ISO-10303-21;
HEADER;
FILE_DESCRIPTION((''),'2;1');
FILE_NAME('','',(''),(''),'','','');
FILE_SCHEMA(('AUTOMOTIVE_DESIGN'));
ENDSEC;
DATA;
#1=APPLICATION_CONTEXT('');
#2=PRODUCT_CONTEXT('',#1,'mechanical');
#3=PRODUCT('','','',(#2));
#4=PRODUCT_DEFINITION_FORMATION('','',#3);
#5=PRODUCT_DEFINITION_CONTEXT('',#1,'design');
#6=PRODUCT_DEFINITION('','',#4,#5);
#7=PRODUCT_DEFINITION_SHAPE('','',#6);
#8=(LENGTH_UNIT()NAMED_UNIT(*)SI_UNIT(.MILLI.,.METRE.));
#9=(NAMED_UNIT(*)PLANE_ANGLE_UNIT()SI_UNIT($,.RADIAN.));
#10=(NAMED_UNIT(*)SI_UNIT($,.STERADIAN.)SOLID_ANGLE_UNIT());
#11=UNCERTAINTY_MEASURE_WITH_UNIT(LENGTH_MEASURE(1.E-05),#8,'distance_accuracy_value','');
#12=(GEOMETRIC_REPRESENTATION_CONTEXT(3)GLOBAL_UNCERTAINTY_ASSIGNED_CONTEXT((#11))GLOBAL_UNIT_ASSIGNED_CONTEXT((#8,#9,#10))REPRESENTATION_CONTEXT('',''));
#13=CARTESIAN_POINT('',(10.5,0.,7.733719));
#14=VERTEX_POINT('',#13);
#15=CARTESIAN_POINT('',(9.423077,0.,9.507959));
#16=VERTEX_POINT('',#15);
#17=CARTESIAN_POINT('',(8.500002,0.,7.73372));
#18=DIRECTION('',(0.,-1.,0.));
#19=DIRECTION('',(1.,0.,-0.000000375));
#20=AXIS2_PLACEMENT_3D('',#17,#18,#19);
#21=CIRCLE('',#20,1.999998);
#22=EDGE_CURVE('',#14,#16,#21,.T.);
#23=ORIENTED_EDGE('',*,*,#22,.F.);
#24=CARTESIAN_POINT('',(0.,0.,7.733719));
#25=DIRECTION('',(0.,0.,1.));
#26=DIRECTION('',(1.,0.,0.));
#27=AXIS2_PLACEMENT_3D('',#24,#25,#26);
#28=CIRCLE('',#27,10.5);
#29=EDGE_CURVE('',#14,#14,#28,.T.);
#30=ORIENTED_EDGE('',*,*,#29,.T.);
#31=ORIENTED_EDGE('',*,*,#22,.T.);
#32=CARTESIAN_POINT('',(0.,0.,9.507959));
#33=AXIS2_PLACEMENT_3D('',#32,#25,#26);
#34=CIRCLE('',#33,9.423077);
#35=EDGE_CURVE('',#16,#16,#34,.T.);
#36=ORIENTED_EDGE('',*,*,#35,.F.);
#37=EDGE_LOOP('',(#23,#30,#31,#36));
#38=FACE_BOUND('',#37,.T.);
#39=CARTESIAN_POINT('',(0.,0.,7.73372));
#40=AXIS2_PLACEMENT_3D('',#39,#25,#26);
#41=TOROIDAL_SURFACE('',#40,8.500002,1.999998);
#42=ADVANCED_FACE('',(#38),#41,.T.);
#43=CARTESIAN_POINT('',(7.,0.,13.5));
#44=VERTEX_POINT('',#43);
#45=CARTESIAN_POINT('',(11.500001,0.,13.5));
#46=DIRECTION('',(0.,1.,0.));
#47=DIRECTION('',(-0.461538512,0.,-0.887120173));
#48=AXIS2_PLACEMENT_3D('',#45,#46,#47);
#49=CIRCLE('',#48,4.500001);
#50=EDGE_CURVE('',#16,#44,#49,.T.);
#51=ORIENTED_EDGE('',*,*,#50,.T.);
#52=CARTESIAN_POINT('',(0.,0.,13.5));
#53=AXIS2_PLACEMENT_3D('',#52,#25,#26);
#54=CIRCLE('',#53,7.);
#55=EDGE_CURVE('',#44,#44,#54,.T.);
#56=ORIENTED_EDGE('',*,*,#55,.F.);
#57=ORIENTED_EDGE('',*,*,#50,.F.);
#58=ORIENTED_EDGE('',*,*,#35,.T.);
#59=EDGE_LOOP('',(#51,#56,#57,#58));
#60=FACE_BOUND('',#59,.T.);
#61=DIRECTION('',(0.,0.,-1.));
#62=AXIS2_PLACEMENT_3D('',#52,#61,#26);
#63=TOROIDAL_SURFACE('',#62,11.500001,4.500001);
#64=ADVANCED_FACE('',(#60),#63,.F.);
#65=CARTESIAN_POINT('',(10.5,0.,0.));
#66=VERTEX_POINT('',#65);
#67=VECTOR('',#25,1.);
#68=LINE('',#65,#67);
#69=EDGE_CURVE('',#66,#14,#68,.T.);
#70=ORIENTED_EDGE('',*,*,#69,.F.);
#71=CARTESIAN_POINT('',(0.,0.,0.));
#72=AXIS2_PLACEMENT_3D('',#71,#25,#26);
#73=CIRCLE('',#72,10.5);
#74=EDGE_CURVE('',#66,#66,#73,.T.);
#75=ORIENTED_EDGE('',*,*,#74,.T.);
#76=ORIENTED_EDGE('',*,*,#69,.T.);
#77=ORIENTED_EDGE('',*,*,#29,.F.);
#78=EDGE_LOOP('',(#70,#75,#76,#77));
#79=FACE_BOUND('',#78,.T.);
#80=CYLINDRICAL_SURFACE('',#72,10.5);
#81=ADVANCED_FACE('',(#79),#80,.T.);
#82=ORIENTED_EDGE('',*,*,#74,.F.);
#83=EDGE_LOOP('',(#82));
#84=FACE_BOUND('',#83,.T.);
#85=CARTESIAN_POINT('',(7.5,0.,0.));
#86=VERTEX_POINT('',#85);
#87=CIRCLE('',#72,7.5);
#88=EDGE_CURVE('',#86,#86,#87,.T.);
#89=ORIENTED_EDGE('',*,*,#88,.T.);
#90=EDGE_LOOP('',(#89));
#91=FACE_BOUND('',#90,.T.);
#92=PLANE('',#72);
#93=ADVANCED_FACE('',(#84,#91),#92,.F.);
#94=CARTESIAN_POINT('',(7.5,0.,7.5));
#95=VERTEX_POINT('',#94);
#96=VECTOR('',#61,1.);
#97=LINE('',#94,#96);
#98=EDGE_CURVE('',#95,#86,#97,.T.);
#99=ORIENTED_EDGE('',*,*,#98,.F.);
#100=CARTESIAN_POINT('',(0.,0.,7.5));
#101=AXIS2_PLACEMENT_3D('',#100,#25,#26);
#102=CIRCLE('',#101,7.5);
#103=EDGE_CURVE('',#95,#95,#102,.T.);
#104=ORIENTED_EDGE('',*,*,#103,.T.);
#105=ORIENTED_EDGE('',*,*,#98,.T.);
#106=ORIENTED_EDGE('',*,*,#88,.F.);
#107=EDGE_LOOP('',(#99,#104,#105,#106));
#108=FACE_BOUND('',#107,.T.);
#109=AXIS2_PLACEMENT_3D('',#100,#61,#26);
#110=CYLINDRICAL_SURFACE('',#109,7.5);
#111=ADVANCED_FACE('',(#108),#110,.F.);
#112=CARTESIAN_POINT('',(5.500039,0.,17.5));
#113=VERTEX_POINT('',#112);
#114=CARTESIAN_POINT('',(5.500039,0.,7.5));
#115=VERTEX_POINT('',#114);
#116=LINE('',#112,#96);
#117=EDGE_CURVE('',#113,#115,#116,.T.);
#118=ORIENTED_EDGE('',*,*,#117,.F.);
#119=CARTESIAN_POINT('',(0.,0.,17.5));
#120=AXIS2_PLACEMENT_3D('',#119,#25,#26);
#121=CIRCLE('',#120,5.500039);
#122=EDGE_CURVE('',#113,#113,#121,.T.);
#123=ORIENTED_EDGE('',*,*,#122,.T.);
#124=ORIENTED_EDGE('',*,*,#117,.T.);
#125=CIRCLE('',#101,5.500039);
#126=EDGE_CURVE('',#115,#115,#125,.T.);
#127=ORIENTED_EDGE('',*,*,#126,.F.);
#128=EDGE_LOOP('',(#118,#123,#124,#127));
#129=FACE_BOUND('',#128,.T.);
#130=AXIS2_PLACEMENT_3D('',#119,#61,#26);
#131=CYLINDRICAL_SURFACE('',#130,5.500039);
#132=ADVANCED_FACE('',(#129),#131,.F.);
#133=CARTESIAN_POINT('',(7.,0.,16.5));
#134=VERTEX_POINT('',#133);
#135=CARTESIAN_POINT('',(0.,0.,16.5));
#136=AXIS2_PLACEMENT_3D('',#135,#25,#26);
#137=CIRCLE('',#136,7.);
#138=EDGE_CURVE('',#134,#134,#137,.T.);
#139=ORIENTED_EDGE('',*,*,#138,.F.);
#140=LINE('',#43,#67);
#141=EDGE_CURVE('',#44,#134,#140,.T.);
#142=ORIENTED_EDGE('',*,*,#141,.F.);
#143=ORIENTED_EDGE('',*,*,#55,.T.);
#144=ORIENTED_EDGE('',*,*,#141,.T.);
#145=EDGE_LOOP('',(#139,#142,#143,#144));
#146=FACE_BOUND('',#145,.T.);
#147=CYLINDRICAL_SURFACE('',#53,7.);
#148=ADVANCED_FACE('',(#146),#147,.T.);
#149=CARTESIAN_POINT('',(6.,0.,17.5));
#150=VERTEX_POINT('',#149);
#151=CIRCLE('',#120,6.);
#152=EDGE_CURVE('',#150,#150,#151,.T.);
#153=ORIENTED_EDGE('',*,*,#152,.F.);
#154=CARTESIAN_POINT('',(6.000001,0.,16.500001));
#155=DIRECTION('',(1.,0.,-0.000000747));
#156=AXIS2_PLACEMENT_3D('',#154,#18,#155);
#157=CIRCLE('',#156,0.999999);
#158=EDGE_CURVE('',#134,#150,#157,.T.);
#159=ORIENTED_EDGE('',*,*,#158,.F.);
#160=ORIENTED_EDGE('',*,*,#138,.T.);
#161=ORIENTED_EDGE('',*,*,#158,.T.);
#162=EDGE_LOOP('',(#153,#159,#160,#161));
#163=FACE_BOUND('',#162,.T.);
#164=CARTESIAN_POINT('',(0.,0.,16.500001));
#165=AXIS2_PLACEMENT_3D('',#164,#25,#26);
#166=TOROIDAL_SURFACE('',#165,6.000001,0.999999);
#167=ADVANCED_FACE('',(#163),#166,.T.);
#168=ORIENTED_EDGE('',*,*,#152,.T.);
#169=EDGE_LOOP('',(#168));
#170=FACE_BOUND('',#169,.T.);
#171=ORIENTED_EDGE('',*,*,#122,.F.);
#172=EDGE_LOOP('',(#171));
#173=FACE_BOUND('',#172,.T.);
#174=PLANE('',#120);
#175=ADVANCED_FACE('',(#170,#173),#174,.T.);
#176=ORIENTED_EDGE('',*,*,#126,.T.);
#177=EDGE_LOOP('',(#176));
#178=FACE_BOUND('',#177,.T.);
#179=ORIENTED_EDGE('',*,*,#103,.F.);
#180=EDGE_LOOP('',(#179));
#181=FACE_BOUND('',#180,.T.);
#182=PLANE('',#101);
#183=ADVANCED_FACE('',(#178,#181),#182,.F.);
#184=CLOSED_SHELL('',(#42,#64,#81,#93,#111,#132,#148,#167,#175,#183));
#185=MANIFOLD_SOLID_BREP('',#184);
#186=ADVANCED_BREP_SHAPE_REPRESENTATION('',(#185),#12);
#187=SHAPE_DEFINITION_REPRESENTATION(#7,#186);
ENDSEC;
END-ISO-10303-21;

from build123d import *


with BuildPart() as f1:
    # F0 (on Front) → F1 (revolve)
    with BuildSketch(Plane.XZ):
        with BuildLine():
            Line((7.5, 7.5), (7.5, 0))
            Line((7.5, 0), (10.5, 0))
            Line((10.5, 0), (10.5, 7.733719))
            ThreePointArc((10.5, 7.733719), (10.209701, 8.771468), (9.423077, 9.507959))
            ThreePointArc((9.423077, 9.507959), (7.653173, 11.165065), (7, 13.5))
            Line((7, 13.5), (7, 16.5))
            ThreePointArc((7, 16.5), (6.707107, 17.207107), (6, 17.5))
            Line((6, 17.5), (5.500039, 17.5))
            Line((5.500039, 17.5), (5.500039, 7.5))
            Line((5.500039, 7.5), (7.5, 7.5))
        make_face()
    revolve(axis=Axis((0, 0, 9.159326), (0, 0, 1)))


solid = f1.part
